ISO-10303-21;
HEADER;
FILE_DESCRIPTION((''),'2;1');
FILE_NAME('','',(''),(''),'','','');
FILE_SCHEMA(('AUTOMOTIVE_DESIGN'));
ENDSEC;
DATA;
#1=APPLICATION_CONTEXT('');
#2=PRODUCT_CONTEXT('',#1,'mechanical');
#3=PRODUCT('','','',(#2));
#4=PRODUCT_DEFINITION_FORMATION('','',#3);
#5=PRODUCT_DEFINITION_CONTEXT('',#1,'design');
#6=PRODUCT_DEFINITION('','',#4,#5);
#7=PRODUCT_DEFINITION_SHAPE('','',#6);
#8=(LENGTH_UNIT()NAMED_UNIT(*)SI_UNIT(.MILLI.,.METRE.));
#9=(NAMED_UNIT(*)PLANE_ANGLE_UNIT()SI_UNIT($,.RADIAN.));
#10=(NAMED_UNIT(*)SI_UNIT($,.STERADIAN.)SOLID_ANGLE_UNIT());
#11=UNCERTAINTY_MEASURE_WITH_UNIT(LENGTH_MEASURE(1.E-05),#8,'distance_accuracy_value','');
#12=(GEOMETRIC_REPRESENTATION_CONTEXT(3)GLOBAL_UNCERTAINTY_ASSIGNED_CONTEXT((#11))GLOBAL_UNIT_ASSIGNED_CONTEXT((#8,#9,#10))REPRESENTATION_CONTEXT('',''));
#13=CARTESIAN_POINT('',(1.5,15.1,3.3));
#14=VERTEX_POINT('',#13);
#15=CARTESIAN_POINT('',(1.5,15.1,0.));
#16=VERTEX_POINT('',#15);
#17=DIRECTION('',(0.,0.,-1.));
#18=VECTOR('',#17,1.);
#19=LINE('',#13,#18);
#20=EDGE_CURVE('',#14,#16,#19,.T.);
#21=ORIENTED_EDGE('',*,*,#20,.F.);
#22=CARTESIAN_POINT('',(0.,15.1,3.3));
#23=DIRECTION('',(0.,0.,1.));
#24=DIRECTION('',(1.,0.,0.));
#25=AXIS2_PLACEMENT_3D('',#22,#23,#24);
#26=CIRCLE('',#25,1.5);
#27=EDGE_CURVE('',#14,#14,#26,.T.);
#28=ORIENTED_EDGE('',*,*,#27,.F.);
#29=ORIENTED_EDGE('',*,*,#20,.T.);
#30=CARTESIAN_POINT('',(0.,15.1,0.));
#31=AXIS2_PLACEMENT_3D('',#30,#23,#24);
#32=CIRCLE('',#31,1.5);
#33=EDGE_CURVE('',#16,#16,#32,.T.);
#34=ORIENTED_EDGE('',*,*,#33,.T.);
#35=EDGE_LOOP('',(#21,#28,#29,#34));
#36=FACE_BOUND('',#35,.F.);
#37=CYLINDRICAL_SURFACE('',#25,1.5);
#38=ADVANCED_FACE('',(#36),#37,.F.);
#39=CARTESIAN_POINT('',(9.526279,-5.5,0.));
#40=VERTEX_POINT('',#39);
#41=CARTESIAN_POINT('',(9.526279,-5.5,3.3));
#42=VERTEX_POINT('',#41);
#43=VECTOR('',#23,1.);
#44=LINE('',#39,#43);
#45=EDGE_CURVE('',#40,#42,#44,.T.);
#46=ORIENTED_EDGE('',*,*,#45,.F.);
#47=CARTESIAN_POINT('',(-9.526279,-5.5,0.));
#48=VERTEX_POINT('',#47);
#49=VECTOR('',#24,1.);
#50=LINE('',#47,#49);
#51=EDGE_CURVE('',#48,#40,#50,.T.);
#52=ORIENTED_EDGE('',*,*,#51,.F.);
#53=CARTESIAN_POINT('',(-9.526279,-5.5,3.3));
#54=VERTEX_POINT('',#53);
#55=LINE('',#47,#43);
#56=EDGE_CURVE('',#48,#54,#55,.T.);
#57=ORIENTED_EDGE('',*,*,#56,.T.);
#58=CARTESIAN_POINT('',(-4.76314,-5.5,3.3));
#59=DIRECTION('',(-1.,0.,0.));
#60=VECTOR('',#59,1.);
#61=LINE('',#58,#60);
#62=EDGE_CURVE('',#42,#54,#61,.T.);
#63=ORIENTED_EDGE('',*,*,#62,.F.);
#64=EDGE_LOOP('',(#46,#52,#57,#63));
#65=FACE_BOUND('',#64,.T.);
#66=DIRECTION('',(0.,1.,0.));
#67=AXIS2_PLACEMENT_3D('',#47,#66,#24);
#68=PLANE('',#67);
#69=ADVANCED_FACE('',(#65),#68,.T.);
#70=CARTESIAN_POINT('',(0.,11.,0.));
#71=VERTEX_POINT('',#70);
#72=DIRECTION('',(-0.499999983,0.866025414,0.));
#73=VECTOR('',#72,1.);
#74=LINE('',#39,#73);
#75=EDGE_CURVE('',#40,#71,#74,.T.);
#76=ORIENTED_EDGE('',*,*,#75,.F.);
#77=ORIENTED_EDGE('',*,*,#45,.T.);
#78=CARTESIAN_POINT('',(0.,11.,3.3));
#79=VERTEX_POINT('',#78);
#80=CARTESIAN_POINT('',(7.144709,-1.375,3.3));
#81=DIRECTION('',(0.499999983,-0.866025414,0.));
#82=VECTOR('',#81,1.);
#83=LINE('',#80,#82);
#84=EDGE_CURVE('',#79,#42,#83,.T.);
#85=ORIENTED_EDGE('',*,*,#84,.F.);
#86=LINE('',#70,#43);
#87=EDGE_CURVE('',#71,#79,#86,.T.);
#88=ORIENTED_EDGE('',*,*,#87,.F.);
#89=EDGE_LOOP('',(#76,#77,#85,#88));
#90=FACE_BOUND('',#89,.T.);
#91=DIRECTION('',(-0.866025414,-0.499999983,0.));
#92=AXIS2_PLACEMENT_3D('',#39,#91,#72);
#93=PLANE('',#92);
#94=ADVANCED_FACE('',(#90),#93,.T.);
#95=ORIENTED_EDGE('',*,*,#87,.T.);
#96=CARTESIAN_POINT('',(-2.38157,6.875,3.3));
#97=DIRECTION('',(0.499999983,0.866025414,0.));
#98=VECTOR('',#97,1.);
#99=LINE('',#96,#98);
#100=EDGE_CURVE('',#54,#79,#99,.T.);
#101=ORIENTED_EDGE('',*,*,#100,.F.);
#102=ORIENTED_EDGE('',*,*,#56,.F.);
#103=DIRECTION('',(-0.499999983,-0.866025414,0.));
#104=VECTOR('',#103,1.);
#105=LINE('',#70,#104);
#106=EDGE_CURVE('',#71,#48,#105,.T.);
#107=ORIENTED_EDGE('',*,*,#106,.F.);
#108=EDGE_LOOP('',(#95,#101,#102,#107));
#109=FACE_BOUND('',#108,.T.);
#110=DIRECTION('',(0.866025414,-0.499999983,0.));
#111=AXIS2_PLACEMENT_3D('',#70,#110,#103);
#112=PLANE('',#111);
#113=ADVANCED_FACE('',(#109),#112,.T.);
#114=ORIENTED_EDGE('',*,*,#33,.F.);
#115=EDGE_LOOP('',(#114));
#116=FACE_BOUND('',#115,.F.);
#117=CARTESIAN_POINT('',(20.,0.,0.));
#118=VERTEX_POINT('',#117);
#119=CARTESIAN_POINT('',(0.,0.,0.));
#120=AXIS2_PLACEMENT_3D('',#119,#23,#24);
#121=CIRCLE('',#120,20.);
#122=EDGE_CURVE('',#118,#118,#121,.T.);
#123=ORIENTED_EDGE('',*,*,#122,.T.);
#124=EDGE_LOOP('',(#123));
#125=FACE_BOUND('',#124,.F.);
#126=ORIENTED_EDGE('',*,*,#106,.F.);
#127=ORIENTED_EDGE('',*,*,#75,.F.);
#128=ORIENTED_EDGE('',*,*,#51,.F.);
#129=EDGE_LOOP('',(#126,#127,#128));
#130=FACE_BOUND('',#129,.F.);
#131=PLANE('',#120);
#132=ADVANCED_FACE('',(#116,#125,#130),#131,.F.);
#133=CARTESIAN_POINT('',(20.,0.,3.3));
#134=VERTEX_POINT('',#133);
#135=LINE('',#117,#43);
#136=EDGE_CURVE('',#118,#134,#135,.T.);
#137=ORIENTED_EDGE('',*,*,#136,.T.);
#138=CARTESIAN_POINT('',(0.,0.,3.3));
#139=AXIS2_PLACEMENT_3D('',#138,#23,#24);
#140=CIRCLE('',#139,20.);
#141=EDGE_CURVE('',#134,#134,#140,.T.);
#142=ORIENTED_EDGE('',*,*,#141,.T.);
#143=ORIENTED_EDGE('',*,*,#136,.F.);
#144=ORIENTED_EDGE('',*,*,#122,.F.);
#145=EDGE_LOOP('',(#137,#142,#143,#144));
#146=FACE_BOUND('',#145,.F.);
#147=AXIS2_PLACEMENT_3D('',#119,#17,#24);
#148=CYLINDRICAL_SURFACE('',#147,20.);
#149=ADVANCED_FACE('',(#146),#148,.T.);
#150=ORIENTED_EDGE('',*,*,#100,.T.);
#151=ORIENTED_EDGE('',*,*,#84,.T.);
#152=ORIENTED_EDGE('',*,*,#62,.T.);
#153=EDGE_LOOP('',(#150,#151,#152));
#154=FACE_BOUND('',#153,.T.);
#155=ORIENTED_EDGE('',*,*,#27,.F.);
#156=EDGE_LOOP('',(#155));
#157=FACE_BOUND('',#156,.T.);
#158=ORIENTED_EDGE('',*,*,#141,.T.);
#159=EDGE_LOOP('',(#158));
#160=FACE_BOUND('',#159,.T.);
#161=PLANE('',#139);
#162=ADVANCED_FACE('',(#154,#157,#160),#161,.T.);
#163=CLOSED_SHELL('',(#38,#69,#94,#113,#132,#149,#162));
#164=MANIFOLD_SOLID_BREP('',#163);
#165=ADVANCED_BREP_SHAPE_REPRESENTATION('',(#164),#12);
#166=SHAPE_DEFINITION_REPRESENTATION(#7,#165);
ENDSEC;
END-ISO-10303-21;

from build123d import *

# Parameters (mm, degrees)
CYLINDER_R      = 20
CYLINDER_DEPTH  = 3.3
SKETCH_R        = 1.5
POCKET_DEPTH    = 3.301
POCKET001_DEPTH = 3.301


with BuildPart() as part:
    # Cylinder → Cylinder (new body)
    with BuildSketch(Plane.XY):
        Circle(CYLINDER_R)
    extrude(amount=CYLINDER_DEPTH)

    # Sketch → Pocket (cut, through all)
    with BuildSketch(Plane.XY.offset(3.3)):
        with Locations((0, 15.1)):
            Circle(SKETCH_R)
    extrude(amount=-POCKET_DEPTH, mode=Mode.SUBTRACT)

    # Sketch001 → Pocket001 (cut, through all)
    with BuildSketch(Plane(origin=(0, 0, 0), x_dir=(1, 0, 0), z_dir=(0, 0, -1))):
        Polygon((-9.526279, 5.5), (9.526279, 5.5), (0, -11), align=None)
    extrude(amount=-POCKET001_DEPTH, mode=Mode.SUBTRACT)


solid = part.part
